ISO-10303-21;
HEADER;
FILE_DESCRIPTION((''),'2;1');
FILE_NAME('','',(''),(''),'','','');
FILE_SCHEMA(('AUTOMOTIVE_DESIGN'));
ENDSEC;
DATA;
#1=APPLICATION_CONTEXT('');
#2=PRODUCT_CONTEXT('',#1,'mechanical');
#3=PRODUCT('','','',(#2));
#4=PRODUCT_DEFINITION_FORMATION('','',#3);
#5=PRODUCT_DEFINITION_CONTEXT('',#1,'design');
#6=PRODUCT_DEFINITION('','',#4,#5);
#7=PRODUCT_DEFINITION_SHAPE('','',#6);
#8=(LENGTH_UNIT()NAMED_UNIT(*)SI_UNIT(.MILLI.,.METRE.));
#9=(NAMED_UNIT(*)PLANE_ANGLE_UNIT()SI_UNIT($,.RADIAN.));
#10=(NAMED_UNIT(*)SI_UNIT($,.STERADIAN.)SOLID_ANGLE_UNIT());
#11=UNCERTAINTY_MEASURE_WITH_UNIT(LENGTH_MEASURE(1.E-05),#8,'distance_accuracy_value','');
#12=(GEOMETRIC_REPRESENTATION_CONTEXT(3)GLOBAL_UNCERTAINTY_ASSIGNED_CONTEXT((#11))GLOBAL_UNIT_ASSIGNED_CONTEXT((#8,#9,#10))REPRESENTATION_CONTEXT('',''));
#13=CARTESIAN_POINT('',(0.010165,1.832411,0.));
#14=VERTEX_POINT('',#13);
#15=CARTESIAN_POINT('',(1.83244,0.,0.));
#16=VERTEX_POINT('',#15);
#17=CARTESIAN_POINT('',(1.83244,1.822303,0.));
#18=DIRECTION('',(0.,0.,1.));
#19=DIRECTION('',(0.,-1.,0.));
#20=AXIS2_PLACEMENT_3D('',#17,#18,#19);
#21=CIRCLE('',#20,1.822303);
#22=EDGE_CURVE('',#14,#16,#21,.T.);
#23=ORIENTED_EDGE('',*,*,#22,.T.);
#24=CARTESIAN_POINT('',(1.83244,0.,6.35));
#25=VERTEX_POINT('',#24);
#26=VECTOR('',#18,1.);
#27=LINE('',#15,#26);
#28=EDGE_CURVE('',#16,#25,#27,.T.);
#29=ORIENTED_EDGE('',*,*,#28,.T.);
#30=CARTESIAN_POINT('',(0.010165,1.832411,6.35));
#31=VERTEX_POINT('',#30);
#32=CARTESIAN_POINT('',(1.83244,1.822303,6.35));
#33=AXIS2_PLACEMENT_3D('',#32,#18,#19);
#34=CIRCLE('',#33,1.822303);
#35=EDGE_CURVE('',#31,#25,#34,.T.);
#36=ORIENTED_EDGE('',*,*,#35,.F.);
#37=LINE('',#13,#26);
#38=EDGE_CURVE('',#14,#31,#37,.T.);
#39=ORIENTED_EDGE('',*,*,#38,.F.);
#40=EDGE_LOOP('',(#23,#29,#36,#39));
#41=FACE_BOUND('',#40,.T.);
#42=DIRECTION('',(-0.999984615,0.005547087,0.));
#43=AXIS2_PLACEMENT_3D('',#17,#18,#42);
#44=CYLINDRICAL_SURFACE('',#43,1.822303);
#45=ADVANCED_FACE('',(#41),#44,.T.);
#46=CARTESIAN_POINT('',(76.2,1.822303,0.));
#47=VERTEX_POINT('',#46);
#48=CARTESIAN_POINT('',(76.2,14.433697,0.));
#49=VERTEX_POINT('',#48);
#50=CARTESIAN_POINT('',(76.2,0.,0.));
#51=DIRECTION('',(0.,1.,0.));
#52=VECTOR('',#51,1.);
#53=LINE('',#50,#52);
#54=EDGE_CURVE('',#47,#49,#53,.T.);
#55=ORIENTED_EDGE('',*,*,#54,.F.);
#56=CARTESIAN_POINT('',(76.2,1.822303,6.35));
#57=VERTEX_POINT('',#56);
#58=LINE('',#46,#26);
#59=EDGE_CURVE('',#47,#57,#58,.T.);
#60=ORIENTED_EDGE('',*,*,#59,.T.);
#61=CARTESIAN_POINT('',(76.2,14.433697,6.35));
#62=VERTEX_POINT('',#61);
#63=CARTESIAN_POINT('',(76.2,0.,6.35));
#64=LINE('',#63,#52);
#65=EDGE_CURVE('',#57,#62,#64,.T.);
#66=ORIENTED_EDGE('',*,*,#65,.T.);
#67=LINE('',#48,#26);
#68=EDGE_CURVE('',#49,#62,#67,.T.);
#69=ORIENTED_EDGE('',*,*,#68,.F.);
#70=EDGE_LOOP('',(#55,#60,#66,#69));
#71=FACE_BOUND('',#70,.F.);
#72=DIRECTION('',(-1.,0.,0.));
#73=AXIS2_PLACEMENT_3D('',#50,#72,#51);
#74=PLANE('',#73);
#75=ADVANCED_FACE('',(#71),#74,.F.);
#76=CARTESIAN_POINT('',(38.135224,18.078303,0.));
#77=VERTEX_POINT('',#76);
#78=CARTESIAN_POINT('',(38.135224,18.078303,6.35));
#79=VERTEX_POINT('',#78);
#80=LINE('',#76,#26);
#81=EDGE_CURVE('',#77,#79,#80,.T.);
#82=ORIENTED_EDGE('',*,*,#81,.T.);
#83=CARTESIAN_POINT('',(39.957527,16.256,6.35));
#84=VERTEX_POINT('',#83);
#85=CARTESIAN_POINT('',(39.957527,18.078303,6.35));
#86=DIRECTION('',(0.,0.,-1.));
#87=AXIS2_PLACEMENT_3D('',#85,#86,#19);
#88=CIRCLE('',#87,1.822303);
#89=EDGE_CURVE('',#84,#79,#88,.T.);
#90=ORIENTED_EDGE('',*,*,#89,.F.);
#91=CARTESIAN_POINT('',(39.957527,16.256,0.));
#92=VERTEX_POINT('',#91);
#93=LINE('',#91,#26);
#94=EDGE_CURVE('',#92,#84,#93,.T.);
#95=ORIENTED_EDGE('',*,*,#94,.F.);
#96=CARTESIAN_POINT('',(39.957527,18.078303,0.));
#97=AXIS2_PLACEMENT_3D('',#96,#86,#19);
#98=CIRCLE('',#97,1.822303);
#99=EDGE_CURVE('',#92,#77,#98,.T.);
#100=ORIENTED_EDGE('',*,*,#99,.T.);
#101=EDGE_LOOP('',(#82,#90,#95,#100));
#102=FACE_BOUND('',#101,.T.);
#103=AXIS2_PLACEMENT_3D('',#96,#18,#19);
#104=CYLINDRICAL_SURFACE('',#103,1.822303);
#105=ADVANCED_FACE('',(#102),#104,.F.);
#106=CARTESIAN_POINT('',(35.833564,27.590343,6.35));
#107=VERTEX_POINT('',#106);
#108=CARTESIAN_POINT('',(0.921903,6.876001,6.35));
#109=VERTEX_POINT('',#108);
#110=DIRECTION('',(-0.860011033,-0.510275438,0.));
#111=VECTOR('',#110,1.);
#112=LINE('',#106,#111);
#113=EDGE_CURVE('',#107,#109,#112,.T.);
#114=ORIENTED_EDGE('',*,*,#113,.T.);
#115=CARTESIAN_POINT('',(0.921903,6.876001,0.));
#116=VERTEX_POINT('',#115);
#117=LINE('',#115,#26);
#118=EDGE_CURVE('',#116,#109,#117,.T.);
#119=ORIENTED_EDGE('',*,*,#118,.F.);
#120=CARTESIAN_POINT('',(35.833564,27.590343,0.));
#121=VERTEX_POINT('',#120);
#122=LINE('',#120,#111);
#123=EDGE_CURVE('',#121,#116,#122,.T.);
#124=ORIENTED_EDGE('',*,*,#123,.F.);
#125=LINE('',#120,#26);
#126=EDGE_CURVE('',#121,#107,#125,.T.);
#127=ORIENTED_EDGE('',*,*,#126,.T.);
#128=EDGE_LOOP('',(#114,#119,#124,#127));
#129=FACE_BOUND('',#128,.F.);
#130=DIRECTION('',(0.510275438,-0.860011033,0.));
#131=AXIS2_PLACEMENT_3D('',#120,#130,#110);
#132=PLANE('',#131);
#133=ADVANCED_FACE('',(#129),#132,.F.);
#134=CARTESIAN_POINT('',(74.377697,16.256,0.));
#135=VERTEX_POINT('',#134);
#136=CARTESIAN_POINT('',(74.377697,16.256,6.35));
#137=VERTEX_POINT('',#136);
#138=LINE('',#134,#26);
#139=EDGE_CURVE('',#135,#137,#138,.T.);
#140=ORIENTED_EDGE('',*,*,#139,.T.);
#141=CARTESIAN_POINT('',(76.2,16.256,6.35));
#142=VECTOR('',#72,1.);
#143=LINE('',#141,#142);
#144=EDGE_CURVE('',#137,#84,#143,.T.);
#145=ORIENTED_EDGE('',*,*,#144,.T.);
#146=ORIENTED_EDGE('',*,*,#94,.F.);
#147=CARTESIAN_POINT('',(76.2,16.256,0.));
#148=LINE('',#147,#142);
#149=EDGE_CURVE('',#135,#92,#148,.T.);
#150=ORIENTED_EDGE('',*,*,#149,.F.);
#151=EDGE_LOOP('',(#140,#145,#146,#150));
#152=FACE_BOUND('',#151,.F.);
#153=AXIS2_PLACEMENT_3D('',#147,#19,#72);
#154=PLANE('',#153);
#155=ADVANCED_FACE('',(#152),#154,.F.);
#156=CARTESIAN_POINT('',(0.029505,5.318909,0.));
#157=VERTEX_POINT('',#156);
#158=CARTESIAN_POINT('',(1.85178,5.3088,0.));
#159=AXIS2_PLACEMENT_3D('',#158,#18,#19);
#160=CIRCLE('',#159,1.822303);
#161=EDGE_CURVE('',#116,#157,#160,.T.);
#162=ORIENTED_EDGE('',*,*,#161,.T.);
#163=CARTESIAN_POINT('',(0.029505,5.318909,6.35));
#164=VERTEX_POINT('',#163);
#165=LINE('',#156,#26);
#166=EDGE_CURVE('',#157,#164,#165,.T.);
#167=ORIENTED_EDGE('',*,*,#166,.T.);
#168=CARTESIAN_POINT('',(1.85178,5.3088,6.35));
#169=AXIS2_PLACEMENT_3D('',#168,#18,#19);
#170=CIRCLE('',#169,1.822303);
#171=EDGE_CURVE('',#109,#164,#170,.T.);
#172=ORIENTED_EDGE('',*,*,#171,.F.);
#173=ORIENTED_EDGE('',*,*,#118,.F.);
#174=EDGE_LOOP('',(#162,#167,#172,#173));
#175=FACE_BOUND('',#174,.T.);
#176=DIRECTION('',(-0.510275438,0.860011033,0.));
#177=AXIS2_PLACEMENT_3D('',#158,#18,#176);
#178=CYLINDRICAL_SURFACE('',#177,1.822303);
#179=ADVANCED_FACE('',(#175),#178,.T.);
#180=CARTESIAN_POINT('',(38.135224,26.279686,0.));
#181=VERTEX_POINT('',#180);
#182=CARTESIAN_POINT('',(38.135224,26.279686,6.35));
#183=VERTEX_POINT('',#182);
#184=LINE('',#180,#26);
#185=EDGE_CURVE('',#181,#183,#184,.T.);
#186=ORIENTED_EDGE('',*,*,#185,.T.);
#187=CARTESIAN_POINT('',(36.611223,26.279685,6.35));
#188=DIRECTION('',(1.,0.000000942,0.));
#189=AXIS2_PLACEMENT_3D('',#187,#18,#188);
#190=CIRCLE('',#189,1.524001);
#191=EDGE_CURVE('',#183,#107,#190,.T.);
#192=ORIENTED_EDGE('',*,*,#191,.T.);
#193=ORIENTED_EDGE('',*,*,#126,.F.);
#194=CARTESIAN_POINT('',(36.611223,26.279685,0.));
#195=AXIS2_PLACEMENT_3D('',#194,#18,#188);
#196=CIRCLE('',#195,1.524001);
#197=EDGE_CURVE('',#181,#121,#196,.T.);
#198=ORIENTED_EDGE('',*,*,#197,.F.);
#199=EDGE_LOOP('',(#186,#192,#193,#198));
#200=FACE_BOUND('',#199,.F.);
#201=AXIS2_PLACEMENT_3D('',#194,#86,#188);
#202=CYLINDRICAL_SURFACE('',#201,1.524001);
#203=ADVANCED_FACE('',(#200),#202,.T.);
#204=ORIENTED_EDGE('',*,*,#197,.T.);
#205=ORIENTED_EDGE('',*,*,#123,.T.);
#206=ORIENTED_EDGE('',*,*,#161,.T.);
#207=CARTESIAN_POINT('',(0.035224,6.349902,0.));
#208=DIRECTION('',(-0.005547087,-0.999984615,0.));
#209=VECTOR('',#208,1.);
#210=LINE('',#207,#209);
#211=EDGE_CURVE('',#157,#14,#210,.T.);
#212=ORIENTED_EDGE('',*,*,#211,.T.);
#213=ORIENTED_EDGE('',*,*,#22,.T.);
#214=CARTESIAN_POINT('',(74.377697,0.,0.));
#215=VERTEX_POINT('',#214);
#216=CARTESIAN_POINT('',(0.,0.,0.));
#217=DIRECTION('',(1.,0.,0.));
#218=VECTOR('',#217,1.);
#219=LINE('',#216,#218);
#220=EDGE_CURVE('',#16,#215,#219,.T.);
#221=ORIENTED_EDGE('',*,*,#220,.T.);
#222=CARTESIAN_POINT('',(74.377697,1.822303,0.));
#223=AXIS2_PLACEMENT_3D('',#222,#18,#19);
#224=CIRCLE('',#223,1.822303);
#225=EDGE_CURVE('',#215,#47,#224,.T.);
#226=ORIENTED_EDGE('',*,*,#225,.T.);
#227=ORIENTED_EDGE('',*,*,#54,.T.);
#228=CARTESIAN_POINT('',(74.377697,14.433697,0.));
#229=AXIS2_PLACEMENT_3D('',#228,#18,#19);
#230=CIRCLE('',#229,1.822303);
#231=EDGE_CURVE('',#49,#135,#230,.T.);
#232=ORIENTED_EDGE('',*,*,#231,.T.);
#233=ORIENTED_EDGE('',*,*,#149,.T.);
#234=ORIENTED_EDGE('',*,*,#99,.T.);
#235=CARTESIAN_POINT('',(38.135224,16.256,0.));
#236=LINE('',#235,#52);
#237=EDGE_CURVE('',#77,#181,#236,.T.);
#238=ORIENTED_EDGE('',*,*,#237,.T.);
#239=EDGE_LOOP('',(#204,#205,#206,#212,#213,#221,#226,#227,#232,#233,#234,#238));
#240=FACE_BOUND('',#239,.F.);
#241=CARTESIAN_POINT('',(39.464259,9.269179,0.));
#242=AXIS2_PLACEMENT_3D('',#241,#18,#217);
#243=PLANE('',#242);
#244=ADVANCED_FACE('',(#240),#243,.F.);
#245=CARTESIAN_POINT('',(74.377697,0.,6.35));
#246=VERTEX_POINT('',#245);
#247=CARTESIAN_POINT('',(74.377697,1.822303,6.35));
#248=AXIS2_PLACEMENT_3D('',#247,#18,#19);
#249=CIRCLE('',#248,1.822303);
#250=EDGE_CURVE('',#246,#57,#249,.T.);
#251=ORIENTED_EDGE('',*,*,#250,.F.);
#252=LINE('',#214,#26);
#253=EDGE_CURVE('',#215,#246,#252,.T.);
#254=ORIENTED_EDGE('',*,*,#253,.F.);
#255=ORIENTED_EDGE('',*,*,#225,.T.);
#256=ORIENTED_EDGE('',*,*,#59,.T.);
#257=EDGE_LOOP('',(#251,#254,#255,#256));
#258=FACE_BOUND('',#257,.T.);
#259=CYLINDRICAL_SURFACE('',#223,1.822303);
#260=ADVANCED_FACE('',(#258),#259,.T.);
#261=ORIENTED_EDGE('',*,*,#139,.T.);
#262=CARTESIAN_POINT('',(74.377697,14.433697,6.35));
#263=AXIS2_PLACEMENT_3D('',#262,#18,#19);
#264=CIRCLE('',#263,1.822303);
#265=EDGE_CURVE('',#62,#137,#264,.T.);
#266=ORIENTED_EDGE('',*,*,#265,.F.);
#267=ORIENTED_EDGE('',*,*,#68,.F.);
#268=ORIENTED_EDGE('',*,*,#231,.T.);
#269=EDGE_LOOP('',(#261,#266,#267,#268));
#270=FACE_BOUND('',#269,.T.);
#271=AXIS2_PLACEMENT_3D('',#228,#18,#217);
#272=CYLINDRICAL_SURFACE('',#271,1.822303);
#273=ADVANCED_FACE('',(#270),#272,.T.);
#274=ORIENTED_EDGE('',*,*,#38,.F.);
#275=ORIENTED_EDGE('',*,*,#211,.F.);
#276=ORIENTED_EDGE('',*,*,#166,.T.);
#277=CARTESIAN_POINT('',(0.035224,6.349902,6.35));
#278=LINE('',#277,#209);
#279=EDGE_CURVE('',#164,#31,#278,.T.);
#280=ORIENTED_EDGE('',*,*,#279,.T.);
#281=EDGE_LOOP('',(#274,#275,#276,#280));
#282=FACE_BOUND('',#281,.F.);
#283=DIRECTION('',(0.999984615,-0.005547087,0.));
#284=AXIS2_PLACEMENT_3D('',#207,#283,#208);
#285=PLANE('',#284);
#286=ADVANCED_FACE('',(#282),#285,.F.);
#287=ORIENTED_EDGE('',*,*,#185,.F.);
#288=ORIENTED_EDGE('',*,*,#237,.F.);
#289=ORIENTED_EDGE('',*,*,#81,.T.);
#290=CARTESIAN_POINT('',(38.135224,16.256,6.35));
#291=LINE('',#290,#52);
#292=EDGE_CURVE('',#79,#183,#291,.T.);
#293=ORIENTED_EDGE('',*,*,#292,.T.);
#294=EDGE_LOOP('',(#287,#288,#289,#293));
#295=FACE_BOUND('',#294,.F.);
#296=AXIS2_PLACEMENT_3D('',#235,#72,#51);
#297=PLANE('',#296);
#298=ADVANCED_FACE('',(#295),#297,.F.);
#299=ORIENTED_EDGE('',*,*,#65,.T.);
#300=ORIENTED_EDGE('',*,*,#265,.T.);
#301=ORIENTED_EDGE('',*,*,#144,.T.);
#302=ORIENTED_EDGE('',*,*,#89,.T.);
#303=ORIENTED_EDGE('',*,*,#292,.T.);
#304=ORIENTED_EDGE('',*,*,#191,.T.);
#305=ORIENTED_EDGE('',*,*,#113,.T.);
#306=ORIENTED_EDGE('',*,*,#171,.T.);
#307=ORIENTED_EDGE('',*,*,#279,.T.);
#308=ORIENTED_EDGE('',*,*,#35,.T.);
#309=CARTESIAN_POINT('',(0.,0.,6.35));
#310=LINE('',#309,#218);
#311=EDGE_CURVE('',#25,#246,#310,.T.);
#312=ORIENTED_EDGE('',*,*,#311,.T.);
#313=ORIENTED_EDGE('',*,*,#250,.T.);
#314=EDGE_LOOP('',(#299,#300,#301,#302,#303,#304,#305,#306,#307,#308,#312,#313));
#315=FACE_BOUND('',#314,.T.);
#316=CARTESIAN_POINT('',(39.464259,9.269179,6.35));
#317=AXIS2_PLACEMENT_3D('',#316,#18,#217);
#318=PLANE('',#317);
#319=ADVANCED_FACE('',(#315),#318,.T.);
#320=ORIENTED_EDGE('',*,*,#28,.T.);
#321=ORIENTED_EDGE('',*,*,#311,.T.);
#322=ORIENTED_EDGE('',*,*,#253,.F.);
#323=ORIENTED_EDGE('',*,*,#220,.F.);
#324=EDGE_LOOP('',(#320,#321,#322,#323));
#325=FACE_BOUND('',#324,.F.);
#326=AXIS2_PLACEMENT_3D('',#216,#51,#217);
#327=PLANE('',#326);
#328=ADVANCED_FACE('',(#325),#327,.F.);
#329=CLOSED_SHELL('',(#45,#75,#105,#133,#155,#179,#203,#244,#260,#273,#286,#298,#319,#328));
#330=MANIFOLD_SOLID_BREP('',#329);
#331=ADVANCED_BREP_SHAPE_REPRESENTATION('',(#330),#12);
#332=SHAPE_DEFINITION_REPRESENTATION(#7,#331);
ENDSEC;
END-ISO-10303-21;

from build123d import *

# Parameters (mm, degrees)
F1_DEPTH = 6.35
F2_R     = 1.822303


with BuildPart() as f1:
    # F0 (on Top) → F1 (new body)
    with BuildSketch(Plane.XY):
        with BuildLine():
            Line((35.833564, 27.590343), (0.035224, 6.349902))
            Line((0.035224, 6.349902), (0, 0))
            Line((0, 0), (76.2, 0))
            Line((76.2, 0), (76.2, 16.256))
            Line((76.2, 16.256), (38.135224, 16.256))
            Line((38.135224, 16.256), (38.135224, 26.279686))
            ThreePointArc((38.135224, 26.279686), (37.365353, 27.604021), (35.833564, 27.590343))
        make_face()
    extrude(amount=F1_DEPTH)

    # F2
    f2_edges = [f1.edges().sort_by_distance(p)[0] for p in [
        (0.035224, 6.349902, 3.175),
        (76.2, 0, 3.175),
        (76.2, 16.256, 3.175),
        (38.135224, 16.256, 3.175),
        (0, 0, 3.175),
    ]]
    fillet(f2_edges, radius=F2_R)


solid = f1.part
